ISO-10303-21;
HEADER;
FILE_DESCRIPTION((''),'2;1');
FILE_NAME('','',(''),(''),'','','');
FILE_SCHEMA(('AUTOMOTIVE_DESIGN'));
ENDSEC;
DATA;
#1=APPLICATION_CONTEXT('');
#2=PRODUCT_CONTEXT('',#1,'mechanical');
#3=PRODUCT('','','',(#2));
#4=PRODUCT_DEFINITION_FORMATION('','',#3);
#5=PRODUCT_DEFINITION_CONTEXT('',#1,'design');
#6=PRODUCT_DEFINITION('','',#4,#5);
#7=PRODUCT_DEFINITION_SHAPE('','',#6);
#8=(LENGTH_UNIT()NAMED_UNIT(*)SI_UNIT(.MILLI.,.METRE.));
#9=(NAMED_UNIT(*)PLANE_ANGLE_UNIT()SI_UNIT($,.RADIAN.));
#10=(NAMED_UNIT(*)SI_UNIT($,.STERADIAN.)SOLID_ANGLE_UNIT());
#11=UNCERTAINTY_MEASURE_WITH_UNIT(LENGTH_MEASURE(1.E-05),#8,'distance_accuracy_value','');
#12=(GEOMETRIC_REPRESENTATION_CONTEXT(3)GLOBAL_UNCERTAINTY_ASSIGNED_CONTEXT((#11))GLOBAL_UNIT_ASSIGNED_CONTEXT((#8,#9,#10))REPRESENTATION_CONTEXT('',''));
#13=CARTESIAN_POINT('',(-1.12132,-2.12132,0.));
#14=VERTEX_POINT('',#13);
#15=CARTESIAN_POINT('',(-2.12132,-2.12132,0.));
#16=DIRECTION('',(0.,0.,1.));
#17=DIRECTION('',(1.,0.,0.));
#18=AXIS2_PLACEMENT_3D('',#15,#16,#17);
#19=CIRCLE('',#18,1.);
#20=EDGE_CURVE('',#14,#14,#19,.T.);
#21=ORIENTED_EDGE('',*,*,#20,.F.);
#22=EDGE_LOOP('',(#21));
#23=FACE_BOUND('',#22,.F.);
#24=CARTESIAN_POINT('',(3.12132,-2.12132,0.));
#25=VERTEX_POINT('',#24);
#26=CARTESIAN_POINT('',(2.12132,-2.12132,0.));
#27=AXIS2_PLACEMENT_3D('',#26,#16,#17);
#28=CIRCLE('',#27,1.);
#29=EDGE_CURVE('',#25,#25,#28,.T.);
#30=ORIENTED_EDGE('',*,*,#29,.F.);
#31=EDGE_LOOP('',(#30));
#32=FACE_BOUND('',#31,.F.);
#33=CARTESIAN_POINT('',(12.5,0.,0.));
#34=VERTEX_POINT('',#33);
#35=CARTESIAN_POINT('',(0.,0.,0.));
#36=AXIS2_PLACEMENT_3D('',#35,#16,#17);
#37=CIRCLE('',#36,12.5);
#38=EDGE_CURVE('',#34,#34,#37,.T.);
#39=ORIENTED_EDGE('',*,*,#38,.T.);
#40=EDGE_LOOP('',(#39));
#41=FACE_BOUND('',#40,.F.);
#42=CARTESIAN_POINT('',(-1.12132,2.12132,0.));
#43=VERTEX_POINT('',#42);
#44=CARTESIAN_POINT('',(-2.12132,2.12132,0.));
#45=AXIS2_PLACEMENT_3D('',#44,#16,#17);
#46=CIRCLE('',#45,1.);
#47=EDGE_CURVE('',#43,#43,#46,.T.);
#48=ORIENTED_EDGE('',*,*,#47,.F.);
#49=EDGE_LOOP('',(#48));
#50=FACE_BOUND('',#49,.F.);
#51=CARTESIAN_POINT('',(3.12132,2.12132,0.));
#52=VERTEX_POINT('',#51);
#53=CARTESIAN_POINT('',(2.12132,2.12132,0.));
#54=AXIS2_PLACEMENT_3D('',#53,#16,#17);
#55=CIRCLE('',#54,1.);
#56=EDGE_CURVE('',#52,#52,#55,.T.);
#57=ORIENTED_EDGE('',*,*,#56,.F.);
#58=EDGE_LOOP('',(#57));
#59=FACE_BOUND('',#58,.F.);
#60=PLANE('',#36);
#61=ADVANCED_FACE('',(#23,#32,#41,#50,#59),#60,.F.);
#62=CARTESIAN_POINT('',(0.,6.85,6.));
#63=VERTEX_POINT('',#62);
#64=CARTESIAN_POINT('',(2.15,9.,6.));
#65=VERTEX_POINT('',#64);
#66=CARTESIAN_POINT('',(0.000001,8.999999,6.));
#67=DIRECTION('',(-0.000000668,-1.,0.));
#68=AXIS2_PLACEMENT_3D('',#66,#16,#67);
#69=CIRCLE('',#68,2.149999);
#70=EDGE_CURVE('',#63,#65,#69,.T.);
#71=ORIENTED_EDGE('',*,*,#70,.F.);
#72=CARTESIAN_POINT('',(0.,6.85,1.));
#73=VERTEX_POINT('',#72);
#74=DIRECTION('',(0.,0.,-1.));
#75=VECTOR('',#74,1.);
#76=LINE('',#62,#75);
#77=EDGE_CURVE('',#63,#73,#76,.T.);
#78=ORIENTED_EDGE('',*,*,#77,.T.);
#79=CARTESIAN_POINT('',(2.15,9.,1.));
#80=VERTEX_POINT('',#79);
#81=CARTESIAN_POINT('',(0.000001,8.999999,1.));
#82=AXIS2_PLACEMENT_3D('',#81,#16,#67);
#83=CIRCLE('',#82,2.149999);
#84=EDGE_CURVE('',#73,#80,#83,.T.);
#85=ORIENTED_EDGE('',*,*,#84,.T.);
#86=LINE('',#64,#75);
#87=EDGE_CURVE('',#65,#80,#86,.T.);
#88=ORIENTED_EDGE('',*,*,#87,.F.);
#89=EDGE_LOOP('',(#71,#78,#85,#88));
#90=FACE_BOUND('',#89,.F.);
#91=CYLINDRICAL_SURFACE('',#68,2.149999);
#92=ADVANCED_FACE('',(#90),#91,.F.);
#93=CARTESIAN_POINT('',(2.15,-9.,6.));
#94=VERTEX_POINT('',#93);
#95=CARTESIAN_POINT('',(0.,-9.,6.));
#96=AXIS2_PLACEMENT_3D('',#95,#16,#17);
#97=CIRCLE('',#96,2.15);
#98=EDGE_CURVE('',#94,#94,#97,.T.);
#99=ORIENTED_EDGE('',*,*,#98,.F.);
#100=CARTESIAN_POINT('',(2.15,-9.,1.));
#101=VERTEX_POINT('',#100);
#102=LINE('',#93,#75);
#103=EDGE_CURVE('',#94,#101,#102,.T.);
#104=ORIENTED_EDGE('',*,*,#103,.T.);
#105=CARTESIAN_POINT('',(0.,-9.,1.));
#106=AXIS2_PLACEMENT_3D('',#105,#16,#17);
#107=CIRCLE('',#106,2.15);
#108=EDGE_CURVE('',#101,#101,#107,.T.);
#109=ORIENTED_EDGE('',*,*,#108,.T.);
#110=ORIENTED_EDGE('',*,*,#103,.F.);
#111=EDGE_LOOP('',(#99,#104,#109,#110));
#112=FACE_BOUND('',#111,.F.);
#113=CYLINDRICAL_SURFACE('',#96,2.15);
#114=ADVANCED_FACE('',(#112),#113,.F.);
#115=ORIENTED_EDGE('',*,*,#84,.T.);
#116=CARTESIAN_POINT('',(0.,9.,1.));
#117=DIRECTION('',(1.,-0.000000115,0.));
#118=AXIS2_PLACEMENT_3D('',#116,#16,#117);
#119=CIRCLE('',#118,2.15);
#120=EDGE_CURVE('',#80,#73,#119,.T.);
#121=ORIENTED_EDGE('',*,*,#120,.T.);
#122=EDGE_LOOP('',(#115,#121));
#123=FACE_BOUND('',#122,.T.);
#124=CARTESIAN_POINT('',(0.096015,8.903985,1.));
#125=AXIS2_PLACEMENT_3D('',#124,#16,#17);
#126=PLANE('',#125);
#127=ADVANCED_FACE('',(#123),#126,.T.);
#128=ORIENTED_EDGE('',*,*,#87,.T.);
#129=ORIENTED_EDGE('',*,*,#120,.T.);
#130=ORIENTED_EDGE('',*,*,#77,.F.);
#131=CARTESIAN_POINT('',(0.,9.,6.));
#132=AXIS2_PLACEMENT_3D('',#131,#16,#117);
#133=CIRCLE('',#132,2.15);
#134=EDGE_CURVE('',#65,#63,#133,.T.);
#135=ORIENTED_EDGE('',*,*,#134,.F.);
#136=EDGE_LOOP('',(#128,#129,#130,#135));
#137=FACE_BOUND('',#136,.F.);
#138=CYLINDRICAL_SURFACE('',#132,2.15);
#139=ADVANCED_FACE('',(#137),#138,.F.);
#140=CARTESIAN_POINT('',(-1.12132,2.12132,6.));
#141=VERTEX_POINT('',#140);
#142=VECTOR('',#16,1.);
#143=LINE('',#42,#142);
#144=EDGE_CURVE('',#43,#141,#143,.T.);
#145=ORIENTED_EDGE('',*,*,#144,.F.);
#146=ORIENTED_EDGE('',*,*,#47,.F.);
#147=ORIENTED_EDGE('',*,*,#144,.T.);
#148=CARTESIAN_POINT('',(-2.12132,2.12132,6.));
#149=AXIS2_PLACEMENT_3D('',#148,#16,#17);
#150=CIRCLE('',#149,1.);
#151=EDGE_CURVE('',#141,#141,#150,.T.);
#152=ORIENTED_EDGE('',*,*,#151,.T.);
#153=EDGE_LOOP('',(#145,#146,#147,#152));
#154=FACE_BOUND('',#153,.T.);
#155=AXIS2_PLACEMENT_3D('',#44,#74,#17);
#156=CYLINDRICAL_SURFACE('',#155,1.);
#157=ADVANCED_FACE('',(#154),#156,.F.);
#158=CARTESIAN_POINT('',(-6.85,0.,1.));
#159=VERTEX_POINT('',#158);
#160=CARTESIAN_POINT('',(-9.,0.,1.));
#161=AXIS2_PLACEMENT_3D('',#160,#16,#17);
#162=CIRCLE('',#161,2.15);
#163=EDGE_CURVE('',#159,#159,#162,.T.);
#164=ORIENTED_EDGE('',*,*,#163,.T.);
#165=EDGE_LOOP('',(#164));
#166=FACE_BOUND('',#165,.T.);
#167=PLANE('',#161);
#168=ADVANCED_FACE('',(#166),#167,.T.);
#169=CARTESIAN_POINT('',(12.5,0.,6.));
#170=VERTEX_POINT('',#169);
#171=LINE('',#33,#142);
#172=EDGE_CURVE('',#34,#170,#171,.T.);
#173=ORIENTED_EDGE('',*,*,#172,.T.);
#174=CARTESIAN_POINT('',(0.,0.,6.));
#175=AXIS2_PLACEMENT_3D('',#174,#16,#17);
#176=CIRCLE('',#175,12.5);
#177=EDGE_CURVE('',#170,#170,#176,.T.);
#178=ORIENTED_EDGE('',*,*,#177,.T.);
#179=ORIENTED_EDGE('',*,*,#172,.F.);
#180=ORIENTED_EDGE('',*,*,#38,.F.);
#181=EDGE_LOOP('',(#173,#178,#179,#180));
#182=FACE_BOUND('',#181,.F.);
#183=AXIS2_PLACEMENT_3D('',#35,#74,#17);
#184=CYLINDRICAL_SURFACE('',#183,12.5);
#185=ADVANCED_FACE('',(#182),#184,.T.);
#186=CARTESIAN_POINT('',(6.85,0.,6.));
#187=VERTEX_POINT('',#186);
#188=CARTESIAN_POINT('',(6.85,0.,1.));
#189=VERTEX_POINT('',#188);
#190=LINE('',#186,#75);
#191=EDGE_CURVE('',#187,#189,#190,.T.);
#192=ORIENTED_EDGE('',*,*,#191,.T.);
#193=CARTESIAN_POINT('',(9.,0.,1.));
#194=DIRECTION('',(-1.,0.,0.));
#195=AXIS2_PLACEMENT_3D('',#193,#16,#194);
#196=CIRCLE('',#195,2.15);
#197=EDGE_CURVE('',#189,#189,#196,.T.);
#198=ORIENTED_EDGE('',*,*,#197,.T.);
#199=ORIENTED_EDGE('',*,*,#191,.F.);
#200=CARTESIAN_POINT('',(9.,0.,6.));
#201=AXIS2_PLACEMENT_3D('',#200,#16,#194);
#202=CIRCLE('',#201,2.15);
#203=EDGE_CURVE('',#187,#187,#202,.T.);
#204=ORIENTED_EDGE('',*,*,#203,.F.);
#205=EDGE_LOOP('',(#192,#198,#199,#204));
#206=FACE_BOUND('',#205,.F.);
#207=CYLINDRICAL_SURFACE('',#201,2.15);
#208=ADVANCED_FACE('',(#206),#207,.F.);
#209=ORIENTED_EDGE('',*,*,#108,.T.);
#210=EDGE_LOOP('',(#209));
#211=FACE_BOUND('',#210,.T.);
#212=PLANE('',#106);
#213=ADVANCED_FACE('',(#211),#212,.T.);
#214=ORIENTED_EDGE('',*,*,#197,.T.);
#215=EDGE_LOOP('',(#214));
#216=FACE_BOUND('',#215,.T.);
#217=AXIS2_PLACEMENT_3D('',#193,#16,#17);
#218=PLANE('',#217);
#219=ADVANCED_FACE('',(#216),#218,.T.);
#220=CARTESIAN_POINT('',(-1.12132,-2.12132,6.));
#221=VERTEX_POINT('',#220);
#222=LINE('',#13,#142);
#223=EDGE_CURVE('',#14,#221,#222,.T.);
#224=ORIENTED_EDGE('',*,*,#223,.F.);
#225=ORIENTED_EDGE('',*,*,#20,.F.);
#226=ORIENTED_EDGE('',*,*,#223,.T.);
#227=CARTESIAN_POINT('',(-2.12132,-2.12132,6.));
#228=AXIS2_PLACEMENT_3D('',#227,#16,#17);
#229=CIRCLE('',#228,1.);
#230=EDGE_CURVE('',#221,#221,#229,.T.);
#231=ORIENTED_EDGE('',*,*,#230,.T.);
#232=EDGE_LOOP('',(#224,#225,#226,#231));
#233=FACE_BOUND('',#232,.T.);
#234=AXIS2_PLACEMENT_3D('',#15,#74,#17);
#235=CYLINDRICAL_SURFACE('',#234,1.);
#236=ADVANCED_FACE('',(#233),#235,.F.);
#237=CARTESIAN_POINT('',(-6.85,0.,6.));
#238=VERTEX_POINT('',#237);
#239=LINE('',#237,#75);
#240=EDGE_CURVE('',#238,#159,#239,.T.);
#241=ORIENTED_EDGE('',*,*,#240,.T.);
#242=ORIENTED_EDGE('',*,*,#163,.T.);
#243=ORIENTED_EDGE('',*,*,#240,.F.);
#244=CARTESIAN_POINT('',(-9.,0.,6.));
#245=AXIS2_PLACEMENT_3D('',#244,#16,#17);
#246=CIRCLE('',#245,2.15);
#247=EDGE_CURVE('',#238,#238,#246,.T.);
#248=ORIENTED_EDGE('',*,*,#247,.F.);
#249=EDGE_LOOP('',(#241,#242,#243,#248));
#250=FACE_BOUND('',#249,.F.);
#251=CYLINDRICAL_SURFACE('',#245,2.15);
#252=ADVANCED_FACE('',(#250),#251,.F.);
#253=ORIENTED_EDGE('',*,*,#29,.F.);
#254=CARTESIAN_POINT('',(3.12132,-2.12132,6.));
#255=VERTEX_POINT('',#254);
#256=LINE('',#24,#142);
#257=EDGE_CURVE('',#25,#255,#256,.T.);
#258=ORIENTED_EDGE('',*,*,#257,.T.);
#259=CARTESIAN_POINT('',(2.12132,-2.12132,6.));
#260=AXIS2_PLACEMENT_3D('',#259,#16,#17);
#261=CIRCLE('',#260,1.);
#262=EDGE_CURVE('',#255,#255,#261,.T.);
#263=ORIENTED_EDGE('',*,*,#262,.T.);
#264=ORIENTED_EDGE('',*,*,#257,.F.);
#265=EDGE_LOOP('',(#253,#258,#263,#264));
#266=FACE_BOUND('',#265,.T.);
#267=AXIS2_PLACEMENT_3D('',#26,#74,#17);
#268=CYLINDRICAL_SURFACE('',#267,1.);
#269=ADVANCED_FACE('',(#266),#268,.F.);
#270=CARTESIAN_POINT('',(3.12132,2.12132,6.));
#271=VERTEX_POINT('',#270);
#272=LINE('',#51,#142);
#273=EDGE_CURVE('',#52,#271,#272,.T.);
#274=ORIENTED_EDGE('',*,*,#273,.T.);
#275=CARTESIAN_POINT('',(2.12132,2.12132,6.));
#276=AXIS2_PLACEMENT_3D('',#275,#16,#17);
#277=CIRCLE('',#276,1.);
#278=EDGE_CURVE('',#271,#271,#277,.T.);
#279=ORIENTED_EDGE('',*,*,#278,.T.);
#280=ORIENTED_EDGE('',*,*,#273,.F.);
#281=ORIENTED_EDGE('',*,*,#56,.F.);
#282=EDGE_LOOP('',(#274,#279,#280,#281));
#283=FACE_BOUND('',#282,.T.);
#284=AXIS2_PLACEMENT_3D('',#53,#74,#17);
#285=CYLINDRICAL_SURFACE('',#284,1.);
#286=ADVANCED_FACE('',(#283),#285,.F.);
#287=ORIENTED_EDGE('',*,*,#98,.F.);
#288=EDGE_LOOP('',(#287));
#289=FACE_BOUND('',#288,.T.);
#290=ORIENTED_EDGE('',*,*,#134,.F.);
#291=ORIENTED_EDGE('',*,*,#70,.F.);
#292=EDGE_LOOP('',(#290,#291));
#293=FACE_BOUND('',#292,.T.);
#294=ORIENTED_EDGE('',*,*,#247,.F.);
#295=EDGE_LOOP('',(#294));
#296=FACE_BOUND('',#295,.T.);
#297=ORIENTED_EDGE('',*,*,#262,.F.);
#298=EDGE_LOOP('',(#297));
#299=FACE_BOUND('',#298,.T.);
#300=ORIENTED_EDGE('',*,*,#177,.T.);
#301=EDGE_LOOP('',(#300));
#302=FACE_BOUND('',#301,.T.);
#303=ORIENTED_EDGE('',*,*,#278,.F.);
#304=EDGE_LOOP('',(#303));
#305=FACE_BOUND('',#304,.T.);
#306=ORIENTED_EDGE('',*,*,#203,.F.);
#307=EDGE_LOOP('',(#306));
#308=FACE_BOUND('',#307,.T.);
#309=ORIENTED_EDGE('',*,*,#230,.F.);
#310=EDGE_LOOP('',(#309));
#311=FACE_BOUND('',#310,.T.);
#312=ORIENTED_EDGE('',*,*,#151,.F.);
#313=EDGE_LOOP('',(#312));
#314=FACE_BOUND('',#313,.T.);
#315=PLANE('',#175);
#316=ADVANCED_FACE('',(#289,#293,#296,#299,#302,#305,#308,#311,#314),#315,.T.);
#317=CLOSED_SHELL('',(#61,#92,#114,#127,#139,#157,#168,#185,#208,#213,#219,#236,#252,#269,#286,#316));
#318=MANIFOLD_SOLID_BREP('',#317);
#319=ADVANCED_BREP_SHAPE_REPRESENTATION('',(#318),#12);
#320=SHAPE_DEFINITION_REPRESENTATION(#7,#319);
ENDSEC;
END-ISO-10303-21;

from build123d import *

# Parameters (mm, degrees)
F0_R     = 12.5
F0_R_2   = 1
F1_DEPTH = 6
F2_R     = 2.15
F3_DEPTH = 5


with BuildPart() as f1:
    # F0 (on Top) → F1 (new body)
    with BuildSketch(Plane.XY):
        Circle(F0_R)
        with Locations((-2.12132, -2.12132)):
            Circle(F0_R_2, mode=Mode.SUBTRACT)
        with Locations((2.12132, -2.12132)):
            Circle(F0_R_2, mode=Mode.SUBTRACT)
        with Locations((-2.12132, 2.12132)):
            Circle(F0_R_2, mode=Mode.SUBTRACT)
        with Locations((2.12132, 2.12132)):
            Circle(F0_R_2, mode=Mode.SUBTRACT)
    extrude(amount=F1_DEPTH)

    # F2 (on face) → F3 (cut)
    with BuildSketch(Plane.XY.offset(6)):
        with BuildLine():
            ThreePointArc((11.15, 0), (9, 2.15), (6.85, 0))
            ThreePointArc((6.85, 0), (9, -2.15), (11.15, 0))
        make_face()
        with BuildLine():
            ThreePointArc((2.15, 9), (-1.52028, 10.52028), (0, 6.85))
            ThreePointArc((0, 6.85), (1.52028, 7.47972), (2.15, 9))
        make_face()
        with Locations((0, -9)):
            Circle(F2_R)
        with Locations((-9, 0)):
            Circle(F2_R)
    extrude(amount=-F3_DEPTH, mode=Mode.SUBTRACT)


solid = f1.part
